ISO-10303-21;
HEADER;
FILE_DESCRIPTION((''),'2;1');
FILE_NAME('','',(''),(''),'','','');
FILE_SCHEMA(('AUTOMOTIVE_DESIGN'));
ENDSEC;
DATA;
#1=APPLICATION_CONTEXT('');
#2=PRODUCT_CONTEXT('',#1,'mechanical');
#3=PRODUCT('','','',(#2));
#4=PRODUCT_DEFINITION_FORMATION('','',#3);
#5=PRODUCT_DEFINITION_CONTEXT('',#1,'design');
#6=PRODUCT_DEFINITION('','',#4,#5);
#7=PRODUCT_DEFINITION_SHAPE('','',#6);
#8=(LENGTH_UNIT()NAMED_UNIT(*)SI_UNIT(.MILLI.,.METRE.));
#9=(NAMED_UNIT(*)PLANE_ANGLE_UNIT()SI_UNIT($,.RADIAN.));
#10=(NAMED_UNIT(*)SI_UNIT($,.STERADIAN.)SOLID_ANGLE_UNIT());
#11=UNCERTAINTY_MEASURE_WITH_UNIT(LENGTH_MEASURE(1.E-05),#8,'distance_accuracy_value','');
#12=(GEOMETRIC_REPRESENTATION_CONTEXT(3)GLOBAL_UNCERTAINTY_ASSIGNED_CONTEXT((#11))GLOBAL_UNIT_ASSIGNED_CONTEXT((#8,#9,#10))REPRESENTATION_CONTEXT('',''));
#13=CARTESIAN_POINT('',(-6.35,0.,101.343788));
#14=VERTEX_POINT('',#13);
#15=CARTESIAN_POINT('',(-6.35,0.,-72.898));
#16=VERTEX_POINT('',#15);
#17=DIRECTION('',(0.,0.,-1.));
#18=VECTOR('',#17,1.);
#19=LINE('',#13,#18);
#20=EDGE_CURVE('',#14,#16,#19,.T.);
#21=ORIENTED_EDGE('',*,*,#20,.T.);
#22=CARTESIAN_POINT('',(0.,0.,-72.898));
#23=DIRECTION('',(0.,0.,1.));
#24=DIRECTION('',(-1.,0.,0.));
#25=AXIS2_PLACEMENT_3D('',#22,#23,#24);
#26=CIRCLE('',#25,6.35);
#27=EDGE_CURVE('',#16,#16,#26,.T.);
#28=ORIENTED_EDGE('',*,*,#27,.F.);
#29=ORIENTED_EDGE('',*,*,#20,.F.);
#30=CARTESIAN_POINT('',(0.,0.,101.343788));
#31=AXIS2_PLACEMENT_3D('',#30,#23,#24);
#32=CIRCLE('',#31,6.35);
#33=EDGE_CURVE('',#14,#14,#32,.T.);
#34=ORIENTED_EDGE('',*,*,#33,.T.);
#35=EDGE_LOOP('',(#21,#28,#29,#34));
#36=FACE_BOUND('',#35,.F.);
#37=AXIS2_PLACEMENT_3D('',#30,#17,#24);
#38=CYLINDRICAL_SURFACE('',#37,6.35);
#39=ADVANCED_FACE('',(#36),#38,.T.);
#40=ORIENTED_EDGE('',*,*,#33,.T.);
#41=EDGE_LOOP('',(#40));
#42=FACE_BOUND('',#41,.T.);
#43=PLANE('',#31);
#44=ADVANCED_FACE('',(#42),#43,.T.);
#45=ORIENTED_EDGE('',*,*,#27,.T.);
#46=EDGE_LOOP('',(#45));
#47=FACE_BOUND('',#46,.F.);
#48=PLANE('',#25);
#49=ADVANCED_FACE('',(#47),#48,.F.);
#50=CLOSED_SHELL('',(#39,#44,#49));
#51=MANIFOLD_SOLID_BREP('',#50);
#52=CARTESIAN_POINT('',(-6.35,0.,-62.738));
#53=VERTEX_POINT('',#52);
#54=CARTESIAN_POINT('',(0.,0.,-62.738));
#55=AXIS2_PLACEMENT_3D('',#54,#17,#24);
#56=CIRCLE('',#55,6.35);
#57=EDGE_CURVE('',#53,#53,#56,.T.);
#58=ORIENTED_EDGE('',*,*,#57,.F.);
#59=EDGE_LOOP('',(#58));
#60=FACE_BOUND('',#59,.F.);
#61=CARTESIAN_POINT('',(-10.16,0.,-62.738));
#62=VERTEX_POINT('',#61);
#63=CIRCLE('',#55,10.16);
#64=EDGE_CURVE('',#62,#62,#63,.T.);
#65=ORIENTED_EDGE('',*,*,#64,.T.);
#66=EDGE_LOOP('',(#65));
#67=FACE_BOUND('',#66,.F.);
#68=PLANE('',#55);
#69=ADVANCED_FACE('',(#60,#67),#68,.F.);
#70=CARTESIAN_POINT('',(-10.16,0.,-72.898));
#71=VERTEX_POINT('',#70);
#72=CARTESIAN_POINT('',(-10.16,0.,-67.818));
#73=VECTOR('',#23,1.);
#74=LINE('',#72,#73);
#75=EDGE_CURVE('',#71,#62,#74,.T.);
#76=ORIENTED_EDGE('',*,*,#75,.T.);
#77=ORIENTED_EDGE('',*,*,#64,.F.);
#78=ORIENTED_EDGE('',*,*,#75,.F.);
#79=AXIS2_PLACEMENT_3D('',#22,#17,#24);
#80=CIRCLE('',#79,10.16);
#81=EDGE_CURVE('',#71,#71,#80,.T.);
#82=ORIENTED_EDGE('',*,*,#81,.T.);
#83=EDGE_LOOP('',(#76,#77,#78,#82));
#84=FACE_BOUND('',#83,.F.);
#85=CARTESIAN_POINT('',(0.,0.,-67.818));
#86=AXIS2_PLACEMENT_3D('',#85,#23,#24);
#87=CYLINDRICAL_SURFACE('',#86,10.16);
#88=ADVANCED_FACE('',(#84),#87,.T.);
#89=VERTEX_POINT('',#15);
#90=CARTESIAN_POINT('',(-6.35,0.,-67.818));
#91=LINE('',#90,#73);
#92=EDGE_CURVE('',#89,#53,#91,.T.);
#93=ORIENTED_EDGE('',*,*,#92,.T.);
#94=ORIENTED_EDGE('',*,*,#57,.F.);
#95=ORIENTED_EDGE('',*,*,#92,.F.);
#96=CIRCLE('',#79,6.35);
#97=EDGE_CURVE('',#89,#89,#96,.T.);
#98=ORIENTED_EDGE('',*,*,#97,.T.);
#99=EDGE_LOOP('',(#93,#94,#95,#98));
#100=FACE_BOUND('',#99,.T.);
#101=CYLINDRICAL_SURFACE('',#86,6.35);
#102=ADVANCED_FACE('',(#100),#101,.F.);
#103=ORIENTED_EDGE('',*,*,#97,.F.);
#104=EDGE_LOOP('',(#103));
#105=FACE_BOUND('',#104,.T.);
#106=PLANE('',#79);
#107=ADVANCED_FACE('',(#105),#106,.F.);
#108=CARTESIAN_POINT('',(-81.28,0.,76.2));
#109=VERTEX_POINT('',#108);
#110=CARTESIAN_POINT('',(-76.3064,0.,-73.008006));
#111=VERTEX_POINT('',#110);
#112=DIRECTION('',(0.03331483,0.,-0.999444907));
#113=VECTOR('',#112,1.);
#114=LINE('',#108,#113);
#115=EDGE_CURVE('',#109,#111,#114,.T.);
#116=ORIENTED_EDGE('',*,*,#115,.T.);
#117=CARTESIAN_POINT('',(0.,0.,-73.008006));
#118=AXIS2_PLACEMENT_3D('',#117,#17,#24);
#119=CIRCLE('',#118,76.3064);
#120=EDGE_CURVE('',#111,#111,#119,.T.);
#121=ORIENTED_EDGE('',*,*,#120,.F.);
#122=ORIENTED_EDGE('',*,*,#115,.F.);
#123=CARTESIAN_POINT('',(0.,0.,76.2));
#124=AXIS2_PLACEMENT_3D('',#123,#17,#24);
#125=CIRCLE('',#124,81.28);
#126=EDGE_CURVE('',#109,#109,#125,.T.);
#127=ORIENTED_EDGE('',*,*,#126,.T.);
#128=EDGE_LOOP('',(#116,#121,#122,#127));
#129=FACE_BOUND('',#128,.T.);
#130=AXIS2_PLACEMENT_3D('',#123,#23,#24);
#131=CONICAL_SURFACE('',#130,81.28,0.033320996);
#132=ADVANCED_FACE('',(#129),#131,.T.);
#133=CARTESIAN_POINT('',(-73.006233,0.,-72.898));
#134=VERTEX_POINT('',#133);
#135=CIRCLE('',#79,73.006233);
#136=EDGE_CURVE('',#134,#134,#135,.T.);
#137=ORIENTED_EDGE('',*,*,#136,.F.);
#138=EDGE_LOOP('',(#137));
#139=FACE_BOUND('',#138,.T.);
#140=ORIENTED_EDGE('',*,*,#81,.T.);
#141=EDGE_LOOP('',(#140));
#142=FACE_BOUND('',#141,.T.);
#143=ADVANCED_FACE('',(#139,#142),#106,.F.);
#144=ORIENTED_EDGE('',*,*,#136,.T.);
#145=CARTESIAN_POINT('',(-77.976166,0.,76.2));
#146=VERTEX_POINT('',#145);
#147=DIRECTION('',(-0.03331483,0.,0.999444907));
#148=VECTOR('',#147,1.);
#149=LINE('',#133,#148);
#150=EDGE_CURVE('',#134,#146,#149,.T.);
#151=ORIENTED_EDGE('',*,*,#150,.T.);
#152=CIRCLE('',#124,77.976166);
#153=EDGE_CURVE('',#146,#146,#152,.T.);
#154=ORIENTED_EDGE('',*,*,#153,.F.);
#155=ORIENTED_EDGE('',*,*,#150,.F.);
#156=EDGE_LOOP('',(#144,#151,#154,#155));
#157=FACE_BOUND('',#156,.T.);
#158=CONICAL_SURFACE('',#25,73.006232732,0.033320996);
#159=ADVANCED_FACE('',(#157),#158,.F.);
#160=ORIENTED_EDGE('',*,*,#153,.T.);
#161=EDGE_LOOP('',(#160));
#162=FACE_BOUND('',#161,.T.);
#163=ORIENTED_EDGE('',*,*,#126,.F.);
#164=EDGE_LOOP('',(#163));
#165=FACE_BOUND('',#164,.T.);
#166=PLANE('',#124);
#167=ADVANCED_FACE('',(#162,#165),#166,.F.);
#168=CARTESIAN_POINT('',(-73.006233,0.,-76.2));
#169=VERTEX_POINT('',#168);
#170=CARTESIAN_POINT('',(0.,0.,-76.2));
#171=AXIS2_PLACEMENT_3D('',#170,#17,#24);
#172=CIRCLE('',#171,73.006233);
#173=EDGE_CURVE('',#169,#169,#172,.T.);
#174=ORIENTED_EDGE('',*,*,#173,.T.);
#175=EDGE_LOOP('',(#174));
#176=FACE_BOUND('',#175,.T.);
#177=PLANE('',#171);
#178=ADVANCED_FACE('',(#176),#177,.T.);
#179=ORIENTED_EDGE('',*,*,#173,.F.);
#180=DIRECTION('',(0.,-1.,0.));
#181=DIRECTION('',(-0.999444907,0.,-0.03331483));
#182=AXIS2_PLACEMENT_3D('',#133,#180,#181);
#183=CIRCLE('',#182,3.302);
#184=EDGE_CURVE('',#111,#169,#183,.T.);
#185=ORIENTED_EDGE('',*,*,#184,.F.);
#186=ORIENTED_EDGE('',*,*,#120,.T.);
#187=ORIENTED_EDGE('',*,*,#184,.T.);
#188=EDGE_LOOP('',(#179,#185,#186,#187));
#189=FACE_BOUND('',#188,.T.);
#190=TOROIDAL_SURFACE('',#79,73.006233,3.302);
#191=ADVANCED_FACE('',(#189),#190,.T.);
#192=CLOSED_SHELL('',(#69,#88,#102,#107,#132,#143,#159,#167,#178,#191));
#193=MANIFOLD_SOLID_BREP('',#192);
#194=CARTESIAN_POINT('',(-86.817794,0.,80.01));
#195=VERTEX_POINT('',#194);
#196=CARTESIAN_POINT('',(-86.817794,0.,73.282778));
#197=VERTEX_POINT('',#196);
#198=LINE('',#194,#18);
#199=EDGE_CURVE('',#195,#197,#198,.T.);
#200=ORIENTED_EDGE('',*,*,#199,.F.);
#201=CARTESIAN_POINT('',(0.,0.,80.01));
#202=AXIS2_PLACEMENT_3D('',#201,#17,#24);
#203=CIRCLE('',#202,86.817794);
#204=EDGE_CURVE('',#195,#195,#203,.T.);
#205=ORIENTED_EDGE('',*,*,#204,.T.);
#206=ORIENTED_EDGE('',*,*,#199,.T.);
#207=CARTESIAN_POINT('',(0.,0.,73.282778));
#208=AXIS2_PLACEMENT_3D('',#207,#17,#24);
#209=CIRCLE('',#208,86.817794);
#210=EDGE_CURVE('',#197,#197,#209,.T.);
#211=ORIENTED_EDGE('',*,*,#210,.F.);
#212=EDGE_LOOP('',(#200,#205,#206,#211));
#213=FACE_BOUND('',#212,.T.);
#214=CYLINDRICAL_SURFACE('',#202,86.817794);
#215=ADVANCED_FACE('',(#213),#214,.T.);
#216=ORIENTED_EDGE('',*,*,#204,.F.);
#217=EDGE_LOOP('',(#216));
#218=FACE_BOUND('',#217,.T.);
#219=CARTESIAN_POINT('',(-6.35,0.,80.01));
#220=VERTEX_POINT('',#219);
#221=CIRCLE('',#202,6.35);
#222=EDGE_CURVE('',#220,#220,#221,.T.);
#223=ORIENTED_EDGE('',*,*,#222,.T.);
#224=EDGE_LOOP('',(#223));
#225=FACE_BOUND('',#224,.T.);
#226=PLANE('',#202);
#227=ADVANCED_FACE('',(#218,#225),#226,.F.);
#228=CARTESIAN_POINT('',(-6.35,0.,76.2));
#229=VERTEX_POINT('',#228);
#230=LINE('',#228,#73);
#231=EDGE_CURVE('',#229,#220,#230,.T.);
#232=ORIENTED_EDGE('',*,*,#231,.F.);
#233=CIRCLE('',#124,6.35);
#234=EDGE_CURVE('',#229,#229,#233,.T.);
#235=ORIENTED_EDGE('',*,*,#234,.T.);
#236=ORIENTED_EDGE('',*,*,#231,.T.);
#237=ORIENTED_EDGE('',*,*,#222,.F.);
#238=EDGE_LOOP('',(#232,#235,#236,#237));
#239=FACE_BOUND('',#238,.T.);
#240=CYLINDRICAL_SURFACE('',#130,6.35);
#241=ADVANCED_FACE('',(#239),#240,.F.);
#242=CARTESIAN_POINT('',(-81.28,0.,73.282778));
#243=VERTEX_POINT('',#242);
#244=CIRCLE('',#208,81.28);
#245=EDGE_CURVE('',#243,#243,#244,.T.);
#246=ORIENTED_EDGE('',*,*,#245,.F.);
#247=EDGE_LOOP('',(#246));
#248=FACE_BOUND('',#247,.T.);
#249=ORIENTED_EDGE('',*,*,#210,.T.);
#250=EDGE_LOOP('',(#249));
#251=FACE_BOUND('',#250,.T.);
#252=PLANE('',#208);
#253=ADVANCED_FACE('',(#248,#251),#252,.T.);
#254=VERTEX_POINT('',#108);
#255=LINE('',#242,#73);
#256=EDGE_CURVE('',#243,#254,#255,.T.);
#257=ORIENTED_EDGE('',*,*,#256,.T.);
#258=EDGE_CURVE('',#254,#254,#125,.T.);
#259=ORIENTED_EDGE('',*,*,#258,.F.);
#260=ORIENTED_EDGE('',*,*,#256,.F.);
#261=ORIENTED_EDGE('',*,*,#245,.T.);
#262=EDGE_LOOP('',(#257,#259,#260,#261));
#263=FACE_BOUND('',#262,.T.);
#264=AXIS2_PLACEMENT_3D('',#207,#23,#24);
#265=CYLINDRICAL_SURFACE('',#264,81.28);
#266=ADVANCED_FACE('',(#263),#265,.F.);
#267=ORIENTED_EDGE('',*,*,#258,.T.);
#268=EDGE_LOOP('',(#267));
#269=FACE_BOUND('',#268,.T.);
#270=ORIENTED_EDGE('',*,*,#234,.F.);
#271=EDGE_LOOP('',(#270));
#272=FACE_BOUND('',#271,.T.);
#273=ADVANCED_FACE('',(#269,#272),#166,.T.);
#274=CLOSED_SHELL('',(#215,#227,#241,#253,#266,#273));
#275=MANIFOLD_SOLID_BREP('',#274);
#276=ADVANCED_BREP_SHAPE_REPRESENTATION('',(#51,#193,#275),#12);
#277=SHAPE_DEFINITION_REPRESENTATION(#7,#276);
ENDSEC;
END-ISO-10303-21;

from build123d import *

# Parameters (mm, degrees)
F0_W   = 3.81
F0_H   = 10.16
F0_W_2 = 6.35
F0_H_2 = 21.3337882066
F0_H_3 = 3.81


with BuildPart() as f1:
    # F0 (on Front) → F1 (revolve)
    with BuildSketch(Plane.XZ):
        with BuildLine():
            Line((0, -76.2), (0, -72.898))
            Line((0, -72.898), (-6.35, -72.898))
            Line((-6.35, -72.898), (-10.16, -72.898))
            Line((-10.16, -72.898), (-73.0062327315, -72.898))
            Line((-73.0062327315, -72.898), (-77.9761660648, 76.2))
            Line((-77.9761660648, 76.2), (-81.28, 76.2))
            Line((-81.28, 76.2), (-76.3063998144, -73.0080055694))
            ThreePointArc((-76.3063998144, -73.0080055694), (-75.301877043, -75.2714407924), (-73.0062327315, -76.2))
            Line((-73.0062327315, -76.2), (0, -76.2))
        make_face()
        with Locations((-8.255, -67.818)):
            Rectangle(F0_W, F0_H)
    revolve(axis=Axis((0, 0, 0), (0, 0, -1)))


with BuildPart() as f2:
    # F0 (on Front) → F2 (revolve)
    with BuildSketch(Plane.XZ):
        Polygon((-77.9761660648, 76.2), (-6.35, 76.2), (-6.35, 80.01), (-86.8177935481, 80.01), (-86.8177935481, 73.2827782631), (-81.28, 73.2827782631), (-81.28, 76.2), align=None)
    revolve(axis=Axis((0, 0, 0), (0, 0, -1)))


with BuildPart() as f3:
    # F0 (on Front) → F3 (revolve)
    with BuildSketch(Plane.XZ):
        with Locations((-3.175, 90.6768941033)):
            Rectangle(F0_W_2, F0_H_2)
        with Locations((-3.175, 78.105)):
            Rectangle(F0_W_2, F0_H_3)
        Polygon((0, -72.898), (0, 76.2), (-6.35, 76.2), (-6.35, -62.738), (-6.35, -72.898), align=None)
    revolve(axis=Axis((0, 0, 14.2228941033), (0, 0, 1)))


solid = Compound([f1.part, f2.part, f3.part])
